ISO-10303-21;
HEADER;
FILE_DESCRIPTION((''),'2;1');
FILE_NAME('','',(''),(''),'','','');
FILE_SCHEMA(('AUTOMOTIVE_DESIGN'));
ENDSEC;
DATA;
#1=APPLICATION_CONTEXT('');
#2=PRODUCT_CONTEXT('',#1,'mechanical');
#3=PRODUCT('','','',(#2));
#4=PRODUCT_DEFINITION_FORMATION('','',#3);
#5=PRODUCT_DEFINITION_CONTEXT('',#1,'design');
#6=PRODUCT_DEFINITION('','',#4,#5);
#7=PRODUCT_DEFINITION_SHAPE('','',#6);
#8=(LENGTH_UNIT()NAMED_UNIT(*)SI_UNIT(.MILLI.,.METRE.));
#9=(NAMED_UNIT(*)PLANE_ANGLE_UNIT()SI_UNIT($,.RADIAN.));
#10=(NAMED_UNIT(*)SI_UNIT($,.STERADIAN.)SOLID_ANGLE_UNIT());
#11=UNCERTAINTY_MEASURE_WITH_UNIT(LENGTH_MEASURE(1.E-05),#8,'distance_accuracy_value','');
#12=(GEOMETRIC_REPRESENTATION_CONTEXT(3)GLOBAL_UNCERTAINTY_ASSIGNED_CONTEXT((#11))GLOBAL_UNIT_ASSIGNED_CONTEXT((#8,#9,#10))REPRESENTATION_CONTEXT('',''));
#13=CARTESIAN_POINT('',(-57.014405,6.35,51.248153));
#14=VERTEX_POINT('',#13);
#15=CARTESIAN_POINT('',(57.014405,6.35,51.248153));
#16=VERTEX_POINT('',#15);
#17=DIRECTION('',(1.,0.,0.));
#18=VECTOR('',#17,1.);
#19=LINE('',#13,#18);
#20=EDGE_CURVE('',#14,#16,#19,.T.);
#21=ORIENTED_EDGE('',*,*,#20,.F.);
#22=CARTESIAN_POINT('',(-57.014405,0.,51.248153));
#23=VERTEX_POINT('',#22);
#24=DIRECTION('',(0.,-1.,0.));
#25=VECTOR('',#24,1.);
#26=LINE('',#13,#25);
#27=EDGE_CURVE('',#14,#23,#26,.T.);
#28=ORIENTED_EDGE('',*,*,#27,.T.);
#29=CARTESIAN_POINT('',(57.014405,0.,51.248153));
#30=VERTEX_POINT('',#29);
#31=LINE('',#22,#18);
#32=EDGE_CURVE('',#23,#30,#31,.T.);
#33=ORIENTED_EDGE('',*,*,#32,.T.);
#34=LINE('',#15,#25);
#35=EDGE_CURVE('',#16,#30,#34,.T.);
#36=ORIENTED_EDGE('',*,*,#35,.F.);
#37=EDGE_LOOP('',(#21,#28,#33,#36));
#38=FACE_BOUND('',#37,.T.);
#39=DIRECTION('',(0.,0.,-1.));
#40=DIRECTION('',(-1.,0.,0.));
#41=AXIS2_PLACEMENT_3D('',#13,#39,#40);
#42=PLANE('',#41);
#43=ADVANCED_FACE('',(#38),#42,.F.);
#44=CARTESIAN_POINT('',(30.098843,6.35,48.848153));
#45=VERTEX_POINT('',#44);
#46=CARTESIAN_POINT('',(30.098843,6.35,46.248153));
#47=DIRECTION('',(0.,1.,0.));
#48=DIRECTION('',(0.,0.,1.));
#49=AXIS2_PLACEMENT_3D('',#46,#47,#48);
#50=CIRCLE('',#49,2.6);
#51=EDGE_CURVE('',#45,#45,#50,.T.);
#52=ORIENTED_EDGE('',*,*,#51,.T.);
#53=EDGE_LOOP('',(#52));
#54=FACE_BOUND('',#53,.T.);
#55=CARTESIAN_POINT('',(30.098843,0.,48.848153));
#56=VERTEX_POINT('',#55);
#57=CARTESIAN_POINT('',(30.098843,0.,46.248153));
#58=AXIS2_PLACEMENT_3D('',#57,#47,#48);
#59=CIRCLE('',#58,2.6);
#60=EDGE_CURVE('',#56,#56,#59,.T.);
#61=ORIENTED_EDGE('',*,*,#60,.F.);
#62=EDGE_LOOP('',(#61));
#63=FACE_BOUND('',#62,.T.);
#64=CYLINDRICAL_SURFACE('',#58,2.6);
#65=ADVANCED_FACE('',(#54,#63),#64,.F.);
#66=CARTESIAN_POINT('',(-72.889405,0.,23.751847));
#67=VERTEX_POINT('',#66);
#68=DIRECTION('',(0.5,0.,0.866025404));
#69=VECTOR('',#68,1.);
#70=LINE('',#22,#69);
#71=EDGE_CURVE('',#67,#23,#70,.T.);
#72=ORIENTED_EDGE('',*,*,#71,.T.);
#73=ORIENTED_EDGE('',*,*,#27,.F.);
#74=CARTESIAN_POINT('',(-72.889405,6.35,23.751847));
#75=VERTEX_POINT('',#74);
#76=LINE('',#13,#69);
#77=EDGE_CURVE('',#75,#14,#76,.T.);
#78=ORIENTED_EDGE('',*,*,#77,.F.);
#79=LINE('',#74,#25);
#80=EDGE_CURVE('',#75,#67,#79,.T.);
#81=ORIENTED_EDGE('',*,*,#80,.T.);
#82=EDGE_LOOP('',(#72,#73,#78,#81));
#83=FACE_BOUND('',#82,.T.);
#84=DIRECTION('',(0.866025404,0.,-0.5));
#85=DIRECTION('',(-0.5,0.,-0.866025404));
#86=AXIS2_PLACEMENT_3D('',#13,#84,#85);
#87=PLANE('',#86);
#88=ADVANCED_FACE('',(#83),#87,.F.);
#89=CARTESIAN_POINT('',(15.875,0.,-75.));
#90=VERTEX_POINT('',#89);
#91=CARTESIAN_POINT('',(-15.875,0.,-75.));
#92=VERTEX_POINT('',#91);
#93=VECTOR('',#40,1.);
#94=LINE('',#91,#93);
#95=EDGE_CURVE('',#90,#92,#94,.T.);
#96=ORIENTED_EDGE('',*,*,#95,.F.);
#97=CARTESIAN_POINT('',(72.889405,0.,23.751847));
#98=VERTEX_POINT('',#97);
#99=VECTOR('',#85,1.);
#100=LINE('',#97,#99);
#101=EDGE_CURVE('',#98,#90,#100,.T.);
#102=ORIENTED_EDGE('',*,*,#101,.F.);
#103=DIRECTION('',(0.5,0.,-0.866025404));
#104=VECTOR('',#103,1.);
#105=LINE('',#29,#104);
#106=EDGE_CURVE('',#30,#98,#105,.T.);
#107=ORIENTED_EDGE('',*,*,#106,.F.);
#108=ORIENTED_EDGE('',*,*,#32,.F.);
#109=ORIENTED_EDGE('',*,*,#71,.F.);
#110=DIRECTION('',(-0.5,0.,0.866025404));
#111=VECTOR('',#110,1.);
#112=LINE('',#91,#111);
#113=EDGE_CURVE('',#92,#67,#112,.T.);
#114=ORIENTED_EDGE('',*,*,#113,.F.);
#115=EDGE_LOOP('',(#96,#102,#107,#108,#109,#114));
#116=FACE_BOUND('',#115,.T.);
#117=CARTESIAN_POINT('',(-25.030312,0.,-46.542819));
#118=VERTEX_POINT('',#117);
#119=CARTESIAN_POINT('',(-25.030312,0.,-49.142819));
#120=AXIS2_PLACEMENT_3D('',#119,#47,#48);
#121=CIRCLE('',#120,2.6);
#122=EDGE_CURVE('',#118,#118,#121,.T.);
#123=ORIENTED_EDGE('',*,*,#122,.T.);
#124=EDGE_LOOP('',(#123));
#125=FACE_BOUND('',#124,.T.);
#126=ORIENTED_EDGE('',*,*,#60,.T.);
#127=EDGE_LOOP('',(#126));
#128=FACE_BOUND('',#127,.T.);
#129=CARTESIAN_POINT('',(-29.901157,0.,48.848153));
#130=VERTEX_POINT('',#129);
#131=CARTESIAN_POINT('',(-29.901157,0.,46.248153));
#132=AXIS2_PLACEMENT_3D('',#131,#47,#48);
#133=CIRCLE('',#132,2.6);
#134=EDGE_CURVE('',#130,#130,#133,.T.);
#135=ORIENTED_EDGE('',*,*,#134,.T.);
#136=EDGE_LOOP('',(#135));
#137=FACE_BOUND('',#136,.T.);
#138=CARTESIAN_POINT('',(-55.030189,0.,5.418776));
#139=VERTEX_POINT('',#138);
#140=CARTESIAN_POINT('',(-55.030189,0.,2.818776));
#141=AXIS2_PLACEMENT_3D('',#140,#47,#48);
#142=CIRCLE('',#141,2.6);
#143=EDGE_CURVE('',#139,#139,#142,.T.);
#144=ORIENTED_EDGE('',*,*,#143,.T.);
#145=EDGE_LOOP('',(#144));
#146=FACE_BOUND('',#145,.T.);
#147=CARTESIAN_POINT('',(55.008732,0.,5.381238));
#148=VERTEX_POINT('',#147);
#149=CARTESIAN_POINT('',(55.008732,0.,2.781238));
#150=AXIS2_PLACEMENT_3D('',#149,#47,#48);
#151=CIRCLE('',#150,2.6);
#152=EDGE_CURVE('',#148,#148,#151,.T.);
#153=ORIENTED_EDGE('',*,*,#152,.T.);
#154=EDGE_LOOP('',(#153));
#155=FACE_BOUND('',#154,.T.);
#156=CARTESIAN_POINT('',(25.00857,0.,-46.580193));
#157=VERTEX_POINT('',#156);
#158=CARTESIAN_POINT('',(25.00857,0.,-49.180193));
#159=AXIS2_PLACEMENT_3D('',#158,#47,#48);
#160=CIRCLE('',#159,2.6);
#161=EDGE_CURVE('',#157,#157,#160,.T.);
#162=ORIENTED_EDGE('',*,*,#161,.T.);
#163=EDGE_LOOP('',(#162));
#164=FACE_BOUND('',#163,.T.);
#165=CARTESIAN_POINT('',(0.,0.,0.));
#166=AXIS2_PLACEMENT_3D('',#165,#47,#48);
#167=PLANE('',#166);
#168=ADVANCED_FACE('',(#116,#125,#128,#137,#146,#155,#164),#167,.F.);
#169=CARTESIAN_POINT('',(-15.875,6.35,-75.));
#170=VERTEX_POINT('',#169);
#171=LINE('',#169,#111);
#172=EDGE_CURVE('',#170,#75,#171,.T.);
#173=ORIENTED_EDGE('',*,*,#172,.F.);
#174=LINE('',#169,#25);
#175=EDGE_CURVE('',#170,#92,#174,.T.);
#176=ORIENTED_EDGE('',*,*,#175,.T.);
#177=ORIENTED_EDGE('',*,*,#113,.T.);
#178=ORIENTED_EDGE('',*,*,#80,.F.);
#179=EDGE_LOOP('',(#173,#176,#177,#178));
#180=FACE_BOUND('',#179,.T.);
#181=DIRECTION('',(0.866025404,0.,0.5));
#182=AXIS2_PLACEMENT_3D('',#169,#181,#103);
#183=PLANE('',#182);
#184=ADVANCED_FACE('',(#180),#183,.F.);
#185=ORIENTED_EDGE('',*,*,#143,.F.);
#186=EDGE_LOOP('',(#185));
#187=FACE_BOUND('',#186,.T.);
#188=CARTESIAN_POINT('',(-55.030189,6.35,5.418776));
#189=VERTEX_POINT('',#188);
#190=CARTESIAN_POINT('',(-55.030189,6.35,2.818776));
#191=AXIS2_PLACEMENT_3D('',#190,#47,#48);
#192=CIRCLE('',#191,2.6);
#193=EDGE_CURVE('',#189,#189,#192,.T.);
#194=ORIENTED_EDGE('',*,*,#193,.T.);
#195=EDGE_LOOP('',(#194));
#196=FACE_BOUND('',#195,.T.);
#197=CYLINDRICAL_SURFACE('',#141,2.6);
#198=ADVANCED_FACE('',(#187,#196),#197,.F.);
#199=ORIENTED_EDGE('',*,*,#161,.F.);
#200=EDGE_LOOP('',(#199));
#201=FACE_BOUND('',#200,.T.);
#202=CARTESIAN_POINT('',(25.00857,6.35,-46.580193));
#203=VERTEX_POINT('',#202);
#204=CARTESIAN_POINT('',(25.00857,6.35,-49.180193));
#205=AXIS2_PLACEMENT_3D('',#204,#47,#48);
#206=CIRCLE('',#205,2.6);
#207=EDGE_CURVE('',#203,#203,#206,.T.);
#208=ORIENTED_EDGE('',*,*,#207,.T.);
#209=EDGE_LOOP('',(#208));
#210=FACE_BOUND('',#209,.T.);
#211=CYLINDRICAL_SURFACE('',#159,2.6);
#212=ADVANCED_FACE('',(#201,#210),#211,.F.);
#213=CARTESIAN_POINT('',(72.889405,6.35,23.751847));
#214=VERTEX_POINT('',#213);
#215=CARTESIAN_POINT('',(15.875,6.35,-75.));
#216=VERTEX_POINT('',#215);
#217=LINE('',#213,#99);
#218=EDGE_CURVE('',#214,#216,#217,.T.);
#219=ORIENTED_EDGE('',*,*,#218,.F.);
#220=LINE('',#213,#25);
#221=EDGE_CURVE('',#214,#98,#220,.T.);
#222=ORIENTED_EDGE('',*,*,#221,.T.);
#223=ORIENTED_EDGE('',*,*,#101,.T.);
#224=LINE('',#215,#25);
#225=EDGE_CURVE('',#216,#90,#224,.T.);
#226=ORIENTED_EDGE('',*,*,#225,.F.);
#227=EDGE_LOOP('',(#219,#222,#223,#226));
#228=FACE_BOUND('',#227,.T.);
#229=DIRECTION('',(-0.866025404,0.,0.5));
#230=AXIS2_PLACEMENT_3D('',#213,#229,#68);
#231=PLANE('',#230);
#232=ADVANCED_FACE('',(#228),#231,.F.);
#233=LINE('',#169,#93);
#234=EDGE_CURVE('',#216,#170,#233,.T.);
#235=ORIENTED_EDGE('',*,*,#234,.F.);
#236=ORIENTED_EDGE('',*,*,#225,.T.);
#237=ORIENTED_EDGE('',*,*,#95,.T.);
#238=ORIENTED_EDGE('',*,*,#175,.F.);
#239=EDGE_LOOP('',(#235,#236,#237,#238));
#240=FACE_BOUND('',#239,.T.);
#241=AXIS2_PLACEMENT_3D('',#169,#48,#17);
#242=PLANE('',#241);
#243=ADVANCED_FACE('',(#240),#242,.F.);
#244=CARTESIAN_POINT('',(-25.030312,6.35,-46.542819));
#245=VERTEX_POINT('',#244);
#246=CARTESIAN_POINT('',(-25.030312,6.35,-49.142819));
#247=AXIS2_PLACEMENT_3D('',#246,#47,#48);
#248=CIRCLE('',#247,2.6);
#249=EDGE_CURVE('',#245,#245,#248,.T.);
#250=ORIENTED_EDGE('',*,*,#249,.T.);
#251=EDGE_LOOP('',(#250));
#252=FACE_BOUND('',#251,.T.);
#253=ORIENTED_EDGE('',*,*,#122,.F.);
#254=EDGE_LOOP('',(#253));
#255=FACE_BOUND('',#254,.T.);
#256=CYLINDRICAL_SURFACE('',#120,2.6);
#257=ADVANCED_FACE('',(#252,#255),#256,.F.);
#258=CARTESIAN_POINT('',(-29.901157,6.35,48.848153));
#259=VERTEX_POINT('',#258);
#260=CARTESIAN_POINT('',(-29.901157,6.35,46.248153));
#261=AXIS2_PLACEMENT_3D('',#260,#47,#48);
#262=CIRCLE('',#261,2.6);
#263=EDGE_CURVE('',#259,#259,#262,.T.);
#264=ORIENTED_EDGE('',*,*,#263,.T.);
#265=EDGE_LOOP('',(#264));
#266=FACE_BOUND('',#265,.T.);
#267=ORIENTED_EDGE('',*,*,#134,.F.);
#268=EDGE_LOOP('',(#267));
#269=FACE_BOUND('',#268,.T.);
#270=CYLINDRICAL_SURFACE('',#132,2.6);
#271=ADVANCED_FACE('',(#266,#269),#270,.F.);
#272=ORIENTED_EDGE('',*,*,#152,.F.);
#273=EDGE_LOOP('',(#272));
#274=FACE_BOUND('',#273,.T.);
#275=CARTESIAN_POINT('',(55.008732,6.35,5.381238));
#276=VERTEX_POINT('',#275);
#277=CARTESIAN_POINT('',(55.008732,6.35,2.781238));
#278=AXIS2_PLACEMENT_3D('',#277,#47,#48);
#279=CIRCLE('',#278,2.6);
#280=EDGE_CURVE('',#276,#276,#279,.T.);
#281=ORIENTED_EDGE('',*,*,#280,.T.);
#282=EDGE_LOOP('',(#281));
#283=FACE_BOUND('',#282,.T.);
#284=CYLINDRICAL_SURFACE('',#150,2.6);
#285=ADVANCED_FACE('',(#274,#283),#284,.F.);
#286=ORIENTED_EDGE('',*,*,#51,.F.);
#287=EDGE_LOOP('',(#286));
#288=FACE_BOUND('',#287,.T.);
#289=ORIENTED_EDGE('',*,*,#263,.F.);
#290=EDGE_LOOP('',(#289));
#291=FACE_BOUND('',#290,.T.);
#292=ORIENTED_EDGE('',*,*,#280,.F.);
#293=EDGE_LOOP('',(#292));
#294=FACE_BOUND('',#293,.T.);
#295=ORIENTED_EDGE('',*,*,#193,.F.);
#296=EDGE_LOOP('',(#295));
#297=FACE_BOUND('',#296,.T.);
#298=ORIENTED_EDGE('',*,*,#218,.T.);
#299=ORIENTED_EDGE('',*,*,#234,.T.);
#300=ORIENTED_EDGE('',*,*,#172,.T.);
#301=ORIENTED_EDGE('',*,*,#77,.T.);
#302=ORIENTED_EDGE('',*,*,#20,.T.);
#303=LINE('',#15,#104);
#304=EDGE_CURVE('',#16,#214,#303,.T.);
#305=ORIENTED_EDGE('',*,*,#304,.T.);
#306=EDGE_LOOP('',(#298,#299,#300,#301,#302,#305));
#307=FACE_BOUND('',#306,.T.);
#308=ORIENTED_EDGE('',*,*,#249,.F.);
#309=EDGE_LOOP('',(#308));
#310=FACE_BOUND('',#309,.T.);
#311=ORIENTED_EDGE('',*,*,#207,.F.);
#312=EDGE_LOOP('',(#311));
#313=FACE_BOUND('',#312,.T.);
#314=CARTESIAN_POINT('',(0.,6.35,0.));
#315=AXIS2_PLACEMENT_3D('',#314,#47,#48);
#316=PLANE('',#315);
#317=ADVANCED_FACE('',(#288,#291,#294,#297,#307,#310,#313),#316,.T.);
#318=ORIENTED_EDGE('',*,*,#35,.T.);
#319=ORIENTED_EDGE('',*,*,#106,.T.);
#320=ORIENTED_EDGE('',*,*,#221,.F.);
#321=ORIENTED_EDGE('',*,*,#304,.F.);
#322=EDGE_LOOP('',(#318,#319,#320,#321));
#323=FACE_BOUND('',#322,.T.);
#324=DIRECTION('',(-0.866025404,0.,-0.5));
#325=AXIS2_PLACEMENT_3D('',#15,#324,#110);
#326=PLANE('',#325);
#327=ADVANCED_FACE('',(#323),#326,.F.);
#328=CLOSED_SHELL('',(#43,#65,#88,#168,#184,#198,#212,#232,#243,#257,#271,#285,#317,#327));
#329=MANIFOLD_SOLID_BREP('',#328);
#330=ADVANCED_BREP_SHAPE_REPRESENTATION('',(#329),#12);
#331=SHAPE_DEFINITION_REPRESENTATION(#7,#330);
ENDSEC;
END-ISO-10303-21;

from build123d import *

# Parameters (mm, degrees)
BOSS_EXTRUDE1_DEPTH = 6.35
SKETCH9_R           = 2.6
CUT_EXTRUDE1_DEPTH  = 105.776848123


with BuildPart() as part:
    # Sketch1 → Boss-Extrude1 (new body)
    with BuildSketch(Plane(origin=(0, 0, 0), x_dir=(1, 0, 0), z_dir=(0, 1, 0))):
        Polygon((-15.875, 75), (15.875, 75), (72.889405284, -23.751846715), (57.014405284, -51.248153285), (-57.014405284, -51.248153285), (-72.889405284, -23.751846715), align=None)
    extrude(amount=BOSS_EXTRUDE1_DEPTH)

    # Sketch9 → Cut-Extrude1 (cut, through all)
    with BuildSketch(Plane(origin=(0, 6.35, 0), x_dir=(1, 0, 0), z_dir=(0, 1, 0))):
        with Locations(Location((-25.030312278, 49.142819263, 0), (0, 0, 270))):
            Circle(SKETCH9_R)
        with Locations(Location((25.008570083, 49.180192562, 0), (0, 0, 270))):
            Circle(SKETCH9_R)
        with Locations(Location((55.008731986, -2.78123819, 0), (0, 0, 270))):
            Circle(SKETCH9_R)
        with Locations(Location((30.09884337, -46.248153285, 0), (0, 0, 270))):
            Circle(SKETCH9_R)
        with Locations(Location((-55.030188745, -2.818776286, 0), (0, 0, 270))):
            Circle(SKETCH9_R)
        with Locations(Location((-29.90115663, -46.248153285, 0), (0, 0, 270))):
            Circle(SKETCH9_R)
    extrude(amount=-CUT_EXTRUDE1_DEPTH, mode=Mode.SUBTRACT)


solid = part.part
